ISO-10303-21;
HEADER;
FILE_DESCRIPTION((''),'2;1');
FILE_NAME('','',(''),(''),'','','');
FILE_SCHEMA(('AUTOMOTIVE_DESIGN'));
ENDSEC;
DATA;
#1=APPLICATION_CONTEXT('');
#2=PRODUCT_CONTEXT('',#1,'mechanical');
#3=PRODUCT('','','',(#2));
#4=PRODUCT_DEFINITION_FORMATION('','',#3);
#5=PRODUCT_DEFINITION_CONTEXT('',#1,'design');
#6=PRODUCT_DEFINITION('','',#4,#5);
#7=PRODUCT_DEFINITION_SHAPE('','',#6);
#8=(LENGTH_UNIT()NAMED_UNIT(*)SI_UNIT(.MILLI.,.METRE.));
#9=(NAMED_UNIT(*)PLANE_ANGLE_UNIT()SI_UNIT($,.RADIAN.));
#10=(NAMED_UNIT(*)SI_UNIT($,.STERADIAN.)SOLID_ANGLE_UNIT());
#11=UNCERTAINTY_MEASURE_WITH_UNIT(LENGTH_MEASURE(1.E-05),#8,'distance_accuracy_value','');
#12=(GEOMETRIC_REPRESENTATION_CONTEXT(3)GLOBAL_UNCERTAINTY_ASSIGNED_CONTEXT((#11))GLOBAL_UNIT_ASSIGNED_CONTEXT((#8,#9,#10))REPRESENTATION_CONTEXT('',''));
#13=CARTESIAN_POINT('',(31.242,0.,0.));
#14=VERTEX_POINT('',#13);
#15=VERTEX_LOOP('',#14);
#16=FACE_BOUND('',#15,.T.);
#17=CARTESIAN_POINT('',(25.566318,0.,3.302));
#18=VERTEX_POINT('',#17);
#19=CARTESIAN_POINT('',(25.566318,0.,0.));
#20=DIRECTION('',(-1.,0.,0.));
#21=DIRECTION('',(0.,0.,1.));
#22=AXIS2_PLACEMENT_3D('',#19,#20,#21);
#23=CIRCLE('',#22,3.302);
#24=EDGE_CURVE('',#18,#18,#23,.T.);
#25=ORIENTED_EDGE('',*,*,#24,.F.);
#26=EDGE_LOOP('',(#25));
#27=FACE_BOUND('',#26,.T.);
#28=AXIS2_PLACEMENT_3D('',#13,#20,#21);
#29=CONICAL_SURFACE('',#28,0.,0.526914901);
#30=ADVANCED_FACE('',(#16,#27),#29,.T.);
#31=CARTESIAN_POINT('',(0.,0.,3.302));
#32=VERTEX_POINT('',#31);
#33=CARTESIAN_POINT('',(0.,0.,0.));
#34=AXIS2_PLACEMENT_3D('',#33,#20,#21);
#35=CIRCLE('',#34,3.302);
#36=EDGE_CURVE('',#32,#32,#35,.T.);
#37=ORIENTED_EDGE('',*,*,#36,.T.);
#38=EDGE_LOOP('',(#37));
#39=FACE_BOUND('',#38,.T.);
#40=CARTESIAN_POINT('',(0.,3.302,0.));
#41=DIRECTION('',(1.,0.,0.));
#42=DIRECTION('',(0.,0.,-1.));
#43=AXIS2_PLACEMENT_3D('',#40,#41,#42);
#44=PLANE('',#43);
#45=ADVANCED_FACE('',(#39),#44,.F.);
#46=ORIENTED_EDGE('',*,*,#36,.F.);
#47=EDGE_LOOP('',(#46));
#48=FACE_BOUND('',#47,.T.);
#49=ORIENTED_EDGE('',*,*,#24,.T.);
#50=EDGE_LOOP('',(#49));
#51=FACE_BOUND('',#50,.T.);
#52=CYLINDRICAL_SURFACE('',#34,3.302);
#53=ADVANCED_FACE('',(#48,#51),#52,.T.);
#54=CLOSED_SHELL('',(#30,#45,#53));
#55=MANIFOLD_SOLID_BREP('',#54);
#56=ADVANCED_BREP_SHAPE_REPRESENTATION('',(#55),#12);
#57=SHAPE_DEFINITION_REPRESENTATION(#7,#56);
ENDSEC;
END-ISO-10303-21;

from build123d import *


with BuildPart() as part:
    # Sketch1 → Revolve1 (revolve)
    with BuildSketch(Plane.XY, mode=Mode.PRIVATE) as revolve1_sk:
        Polygon((31.242, 0), (25.566317645, 3.302), (0, 3.302), (0, 0), align=None)
    revolve(revolve1_sk.sketch.rotate(Axis((0, 0, 0), (1, 0, 0)), 90), axis=Axis((0, 0, 0), (1, 0, 0)))


solid = part.part
